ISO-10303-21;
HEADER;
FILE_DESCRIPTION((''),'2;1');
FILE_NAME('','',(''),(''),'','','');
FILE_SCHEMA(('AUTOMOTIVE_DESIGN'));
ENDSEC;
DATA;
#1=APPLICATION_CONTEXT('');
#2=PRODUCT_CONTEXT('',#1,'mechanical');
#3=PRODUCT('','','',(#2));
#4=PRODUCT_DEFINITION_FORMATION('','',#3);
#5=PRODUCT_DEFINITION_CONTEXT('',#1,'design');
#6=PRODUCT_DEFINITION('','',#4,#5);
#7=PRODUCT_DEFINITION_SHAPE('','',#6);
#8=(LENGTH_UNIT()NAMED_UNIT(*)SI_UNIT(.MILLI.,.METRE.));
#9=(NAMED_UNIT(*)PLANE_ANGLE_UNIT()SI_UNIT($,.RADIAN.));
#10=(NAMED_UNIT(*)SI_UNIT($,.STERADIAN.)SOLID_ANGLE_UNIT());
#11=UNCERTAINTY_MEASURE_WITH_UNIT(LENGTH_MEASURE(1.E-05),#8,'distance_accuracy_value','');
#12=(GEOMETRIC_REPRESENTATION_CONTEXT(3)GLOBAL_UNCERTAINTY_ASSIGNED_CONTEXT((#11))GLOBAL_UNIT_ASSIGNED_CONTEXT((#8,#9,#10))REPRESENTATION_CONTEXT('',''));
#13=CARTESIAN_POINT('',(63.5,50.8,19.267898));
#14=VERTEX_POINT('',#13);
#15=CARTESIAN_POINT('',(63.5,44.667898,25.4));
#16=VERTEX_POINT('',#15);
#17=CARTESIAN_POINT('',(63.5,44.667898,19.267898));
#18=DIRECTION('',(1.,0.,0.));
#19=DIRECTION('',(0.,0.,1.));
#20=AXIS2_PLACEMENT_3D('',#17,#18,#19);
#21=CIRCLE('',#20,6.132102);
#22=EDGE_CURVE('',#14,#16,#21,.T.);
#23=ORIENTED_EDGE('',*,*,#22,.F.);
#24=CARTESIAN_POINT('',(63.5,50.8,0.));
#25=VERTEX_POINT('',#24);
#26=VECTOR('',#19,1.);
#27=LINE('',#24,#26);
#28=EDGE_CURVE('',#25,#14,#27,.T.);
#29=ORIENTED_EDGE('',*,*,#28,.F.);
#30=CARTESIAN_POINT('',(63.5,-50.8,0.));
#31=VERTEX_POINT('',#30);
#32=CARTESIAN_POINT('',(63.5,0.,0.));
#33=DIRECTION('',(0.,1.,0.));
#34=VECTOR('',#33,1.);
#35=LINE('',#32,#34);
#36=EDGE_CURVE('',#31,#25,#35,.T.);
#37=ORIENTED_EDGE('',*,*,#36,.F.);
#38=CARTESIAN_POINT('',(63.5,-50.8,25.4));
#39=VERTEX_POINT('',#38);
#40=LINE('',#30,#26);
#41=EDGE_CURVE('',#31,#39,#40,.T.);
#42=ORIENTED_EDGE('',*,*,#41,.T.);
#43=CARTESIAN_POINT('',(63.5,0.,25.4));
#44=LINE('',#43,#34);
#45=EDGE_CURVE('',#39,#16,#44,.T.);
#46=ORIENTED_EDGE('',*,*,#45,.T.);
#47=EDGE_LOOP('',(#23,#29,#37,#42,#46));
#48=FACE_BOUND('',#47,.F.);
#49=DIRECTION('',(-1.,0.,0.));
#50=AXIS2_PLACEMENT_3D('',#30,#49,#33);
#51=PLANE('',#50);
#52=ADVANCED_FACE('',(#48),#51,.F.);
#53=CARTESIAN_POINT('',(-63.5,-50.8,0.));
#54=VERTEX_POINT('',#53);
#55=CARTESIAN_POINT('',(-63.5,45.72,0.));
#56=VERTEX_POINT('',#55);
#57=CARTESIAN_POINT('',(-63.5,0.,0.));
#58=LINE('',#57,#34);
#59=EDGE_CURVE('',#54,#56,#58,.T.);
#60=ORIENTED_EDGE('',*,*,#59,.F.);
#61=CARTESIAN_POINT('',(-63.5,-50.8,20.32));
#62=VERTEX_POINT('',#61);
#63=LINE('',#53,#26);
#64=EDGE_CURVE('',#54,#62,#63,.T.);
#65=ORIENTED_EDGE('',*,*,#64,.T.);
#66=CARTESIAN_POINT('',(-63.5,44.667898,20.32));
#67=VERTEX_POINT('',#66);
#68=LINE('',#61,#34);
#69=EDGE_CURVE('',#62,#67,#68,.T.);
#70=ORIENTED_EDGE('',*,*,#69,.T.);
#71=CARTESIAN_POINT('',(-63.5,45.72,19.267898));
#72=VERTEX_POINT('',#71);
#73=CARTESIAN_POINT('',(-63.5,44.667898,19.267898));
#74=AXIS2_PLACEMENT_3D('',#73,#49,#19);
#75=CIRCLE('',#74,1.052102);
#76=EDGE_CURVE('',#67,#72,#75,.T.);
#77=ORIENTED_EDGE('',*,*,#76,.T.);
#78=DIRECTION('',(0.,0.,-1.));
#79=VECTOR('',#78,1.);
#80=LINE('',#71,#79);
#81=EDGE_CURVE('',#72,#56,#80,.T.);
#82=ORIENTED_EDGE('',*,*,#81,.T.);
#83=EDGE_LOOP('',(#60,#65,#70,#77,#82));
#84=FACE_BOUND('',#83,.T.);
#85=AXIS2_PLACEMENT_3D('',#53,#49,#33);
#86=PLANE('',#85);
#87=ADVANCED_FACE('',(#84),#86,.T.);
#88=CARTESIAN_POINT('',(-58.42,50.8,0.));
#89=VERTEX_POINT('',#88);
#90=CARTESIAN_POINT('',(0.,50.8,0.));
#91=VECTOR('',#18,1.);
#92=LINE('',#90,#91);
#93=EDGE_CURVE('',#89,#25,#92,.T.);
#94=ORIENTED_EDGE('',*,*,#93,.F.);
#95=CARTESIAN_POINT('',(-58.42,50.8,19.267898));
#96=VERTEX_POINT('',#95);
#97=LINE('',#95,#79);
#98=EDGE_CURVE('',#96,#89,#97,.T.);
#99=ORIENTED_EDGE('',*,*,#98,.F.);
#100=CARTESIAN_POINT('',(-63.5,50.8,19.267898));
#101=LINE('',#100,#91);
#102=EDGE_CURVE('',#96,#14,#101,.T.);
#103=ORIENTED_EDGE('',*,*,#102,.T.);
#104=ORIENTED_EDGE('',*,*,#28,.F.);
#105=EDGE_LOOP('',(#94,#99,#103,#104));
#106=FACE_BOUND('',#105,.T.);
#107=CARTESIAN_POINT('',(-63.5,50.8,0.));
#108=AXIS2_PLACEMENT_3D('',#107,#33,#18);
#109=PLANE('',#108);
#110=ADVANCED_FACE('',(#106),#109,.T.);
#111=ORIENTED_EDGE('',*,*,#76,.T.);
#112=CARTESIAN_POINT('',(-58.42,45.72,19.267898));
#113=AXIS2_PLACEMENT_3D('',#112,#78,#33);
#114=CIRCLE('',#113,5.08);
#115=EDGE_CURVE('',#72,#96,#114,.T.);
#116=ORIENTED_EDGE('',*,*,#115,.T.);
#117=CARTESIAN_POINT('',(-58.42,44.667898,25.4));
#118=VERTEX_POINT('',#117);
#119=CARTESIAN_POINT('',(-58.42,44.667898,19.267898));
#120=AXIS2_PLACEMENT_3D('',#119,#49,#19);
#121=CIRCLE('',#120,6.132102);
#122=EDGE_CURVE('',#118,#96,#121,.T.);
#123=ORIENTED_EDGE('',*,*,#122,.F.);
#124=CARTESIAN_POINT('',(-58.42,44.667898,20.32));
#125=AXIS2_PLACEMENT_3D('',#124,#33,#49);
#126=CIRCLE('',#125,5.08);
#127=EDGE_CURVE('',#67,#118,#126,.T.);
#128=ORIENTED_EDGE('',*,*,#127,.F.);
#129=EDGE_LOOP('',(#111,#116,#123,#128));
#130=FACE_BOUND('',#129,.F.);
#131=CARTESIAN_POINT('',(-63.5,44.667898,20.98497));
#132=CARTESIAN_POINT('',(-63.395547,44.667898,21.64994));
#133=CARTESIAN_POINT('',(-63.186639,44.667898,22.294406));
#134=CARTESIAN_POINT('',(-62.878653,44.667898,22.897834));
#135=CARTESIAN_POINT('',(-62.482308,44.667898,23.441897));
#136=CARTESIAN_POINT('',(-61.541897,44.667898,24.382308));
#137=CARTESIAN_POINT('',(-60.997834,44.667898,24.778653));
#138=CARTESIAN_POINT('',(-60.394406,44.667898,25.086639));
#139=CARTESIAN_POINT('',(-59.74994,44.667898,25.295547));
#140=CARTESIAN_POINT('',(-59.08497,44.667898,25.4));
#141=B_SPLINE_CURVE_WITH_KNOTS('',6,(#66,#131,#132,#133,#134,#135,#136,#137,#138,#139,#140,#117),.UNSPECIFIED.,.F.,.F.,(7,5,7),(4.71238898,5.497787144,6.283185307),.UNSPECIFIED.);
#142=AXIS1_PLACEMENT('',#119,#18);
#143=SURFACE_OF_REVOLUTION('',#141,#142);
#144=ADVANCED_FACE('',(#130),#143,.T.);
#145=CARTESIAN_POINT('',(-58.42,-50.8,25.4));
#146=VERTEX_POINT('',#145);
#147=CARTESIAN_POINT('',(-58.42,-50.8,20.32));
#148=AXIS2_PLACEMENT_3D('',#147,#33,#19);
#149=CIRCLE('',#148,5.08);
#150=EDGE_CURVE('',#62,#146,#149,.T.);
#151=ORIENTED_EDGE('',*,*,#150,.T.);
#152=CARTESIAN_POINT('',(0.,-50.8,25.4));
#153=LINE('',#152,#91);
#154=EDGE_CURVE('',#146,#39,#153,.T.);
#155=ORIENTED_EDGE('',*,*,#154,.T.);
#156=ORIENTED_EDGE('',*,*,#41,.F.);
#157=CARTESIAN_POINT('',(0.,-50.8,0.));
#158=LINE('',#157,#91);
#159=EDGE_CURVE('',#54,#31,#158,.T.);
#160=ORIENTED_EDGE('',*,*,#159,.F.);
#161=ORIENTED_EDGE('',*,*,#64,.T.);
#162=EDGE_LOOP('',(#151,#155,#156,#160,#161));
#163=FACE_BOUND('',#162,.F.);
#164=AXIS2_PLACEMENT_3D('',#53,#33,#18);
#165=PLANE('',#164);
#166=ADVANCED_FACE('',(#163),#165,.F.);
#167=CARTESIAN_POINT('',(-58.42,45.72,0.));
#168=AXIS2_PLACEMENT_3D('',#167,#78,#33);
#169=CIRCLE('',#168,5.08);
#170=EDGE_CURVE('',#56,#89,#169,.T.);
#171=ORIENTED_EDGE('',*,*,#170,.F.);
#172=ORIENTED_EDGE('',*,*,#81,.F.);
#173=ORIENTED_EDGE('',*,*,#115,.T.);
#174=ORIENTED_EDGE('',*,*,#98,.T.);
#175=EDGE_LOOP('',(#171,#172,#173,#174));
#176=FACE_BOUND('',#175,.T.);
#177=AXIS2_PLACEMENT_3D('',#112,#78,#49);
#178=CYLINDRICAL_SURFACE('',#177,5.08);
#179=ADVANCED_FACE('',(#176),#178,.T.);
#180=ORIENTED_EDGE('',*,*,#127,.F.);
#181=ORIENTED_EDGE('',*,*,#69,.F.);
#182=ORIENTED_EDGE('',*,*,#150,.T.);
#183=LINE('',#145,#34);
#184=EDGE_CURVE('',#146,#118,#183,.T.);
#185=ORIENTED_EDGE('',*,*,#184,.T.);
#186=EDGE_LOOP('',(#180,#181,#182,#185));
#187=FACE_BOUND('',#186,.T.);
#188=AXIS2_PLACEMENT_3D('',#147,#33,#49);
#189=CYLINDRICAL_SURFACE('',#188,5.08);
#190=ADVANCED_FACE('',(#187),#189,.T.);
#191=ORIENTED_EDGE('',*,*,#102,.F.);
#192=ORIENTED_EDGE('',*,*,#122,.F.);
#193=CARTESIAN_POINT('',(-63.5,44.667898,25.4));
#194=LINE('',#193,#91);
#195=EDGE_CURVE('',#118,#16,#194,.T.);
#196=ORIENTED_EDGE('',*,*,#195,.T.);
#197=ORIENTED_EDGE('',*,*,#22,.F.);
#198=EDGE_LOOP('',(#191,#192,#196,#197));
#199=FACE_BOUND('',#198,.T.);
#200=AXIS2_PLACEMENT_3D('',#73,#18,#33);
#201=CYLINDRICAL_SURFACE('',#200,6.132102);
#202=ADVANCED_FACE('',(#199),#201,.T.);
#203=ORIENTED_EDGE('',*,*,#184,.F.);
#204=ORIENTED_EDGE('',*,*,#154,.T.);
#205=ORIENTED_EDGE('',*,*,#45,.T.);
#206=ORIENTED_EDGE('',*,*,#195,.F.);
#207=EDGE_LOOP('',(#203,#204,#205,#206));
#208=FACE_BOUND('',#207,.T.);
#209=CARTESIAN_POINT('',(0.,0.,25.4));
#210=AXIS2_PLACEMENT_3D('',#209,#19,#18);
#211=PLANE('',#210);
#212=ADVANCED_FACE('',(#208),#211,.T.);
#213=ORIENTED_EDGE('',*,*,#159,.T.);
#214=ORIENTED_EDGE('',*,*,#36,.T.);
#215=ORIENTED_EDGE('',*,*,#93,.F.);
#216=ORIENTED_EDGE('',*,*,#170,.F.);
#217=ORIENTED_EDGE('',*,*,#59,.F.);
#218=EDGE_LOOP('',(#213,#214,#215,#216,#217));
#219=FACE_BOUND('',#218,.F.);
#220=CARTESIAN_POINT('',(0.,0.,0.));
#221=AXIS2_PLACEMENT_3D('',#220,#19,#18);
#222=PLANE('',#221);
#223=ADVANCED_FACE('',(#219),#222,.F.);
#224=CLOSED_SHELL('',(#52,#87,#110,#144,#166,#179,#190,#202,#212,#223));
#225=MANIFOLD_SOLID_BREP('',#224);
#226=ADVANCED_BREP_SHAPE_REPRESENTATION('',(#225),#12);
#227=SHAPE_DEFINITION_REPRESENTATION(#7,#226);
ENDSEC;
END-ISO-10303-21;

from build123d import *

# Parameters (mm, degrees)
F0_W     = 127
F0_H     = 101.6
F1_DEPTH = 25.4
F2_R     = 6.132102
F3_R     = 5.08


with BuildPart() as f1:
    # F0 (on Top) → F1 (new body)
    with BuildSketch(Plane.XY):
        Rectangle(F0_W, F0_H)
    extrude(amount=F1_DEPTH)

    # F2
    f2_edges = [f1.edges().sort_by_distance(p)[0] for p in [
        (0, 50.8, 25.4),
    ]]
    fillet(f2_edges, radius=F2_R)

    # F3
    f3_edges = [f1.edges().sort_by_distance(p)[0] for p in [
        (-63.5, -3.066051, 25.4),
    ]]
    fillet(f3_edges, radius=F3_R)


solid = f1.part
